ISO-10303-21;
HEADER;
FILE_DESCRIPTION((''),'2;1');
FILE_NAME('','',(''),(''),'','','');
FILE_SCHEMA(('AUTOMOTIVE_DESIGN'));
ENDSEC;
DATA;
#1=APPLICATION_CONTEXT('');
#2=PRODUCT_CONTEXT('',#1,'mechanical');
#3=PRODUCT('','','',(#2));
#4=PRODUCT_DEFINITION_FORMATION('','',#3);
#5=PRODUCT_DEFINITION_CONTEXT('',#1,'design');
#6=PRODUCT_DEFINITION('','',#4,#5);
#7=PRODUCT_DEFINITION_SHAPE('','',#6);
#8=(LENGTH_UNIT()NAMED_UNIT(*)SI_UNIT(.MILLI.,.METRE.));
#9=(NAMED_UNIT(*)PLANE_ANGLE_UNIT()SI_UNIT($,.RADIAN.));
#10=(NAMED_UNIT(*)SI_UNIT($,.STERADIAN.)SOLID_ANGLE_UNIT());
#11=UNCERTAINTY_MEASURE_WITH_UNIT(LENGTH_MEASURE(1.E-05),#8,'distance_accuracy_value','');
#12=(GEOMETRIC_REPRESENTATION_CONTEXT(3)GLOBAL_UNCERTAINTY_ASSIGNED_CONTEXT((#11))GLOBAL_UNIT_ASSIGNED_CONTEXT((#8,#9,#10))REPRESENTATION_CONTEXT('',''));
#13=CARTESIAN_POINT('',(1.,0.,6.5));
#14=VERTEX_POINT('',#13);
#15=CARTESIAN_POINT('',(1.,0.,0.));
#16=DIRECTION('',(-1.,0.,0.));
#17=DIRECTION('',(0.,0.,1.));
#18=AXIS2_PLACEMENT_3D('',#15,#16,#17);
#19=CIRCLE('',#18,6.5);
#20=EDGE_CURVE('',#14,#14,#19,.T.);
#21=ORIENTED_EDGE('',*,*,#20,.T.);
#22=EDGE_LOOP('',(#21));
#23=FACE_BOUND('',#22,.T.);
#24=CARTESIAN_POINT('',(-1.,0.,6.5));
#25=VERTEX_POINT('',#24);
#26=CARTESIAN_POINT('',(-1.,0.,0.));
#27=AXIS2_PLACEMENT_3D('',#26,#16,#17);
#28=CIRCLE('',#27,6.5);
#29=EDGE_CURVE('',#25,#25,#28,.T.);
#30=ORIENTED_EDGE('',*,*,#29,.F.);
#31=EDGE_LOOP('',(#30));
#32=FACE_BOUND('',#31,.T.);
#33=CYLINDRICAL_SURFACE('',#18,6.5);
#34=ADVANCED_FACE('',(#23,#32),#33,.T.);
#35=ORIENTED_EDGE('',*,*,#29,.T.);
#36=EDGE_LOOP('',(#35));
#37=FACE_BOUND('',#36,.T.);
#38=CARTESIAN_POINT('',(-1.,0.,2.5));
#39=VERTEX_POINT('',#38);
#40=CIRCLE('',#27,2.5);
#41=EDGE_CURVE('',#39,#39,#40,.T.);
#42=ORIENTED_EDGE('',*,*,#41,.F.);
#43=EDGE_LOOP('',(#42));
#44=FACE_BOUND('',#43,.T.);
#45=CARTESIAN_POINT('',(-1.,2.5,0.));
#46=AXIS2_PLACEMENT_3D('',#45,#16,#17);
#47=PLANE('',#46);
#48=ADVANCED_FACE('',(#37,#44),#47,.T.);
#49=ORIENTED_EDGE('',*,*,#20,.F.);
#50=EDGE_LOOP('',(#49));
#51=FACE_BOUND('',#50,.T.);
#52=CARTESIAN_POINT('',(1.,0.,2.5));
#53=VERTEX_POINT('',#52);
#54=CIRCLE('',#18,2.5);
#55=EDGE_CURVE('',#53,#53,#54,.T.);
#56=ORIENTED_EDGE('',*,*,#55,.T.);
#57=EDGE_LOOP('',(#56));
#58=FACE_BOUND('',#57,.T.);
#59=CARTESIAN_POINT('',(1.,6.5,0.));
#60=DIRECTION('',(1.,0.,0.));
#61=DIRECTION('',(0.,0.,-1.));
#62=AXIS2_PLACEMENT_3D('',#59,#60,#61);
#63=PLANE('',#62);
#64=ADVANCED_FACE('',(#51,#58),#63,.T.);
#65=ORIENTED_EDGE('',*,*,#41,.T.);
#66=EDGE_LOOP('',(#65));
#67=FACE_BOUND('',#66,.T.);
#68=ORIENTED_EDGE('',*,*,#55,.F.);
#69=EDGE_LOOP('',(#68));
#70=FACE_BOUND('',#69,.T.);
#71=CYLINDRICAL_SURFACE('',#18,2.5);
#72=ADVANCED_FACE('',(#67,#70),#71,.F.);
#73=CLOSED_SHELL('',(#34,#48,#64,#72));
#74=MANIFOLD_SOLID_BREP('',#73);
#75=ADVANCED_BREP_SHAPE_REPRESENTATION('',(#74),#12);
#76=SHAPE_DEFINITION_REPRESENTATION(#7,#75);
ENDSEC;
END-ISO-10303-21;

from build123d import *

# Parameters (mm, degrees)
SKETCH1_W = 2
SKETCH1_H = 4


with BuildPart() as part:
    # Sketch1 → Revolve1 (revolve)
    with BuildSketch(Plane(origin=(0, 0, 0), x_dir=(-1, 0, 0), z_dir=(0, 0, -1)), mode=Mode.PRIVATE) as revolve1_sk:
        with Locations((0, 4.5)):
            Rectangle(SKETCH1_W, SKETCH1_H)
    revolve(revolve1_sk.sketch.rotate(Axis((1, 0, 0), (-1, 0, 0)), 270), axis=Axis((1, 0, 0), (-1, 0, 0)))


solid = part.part
